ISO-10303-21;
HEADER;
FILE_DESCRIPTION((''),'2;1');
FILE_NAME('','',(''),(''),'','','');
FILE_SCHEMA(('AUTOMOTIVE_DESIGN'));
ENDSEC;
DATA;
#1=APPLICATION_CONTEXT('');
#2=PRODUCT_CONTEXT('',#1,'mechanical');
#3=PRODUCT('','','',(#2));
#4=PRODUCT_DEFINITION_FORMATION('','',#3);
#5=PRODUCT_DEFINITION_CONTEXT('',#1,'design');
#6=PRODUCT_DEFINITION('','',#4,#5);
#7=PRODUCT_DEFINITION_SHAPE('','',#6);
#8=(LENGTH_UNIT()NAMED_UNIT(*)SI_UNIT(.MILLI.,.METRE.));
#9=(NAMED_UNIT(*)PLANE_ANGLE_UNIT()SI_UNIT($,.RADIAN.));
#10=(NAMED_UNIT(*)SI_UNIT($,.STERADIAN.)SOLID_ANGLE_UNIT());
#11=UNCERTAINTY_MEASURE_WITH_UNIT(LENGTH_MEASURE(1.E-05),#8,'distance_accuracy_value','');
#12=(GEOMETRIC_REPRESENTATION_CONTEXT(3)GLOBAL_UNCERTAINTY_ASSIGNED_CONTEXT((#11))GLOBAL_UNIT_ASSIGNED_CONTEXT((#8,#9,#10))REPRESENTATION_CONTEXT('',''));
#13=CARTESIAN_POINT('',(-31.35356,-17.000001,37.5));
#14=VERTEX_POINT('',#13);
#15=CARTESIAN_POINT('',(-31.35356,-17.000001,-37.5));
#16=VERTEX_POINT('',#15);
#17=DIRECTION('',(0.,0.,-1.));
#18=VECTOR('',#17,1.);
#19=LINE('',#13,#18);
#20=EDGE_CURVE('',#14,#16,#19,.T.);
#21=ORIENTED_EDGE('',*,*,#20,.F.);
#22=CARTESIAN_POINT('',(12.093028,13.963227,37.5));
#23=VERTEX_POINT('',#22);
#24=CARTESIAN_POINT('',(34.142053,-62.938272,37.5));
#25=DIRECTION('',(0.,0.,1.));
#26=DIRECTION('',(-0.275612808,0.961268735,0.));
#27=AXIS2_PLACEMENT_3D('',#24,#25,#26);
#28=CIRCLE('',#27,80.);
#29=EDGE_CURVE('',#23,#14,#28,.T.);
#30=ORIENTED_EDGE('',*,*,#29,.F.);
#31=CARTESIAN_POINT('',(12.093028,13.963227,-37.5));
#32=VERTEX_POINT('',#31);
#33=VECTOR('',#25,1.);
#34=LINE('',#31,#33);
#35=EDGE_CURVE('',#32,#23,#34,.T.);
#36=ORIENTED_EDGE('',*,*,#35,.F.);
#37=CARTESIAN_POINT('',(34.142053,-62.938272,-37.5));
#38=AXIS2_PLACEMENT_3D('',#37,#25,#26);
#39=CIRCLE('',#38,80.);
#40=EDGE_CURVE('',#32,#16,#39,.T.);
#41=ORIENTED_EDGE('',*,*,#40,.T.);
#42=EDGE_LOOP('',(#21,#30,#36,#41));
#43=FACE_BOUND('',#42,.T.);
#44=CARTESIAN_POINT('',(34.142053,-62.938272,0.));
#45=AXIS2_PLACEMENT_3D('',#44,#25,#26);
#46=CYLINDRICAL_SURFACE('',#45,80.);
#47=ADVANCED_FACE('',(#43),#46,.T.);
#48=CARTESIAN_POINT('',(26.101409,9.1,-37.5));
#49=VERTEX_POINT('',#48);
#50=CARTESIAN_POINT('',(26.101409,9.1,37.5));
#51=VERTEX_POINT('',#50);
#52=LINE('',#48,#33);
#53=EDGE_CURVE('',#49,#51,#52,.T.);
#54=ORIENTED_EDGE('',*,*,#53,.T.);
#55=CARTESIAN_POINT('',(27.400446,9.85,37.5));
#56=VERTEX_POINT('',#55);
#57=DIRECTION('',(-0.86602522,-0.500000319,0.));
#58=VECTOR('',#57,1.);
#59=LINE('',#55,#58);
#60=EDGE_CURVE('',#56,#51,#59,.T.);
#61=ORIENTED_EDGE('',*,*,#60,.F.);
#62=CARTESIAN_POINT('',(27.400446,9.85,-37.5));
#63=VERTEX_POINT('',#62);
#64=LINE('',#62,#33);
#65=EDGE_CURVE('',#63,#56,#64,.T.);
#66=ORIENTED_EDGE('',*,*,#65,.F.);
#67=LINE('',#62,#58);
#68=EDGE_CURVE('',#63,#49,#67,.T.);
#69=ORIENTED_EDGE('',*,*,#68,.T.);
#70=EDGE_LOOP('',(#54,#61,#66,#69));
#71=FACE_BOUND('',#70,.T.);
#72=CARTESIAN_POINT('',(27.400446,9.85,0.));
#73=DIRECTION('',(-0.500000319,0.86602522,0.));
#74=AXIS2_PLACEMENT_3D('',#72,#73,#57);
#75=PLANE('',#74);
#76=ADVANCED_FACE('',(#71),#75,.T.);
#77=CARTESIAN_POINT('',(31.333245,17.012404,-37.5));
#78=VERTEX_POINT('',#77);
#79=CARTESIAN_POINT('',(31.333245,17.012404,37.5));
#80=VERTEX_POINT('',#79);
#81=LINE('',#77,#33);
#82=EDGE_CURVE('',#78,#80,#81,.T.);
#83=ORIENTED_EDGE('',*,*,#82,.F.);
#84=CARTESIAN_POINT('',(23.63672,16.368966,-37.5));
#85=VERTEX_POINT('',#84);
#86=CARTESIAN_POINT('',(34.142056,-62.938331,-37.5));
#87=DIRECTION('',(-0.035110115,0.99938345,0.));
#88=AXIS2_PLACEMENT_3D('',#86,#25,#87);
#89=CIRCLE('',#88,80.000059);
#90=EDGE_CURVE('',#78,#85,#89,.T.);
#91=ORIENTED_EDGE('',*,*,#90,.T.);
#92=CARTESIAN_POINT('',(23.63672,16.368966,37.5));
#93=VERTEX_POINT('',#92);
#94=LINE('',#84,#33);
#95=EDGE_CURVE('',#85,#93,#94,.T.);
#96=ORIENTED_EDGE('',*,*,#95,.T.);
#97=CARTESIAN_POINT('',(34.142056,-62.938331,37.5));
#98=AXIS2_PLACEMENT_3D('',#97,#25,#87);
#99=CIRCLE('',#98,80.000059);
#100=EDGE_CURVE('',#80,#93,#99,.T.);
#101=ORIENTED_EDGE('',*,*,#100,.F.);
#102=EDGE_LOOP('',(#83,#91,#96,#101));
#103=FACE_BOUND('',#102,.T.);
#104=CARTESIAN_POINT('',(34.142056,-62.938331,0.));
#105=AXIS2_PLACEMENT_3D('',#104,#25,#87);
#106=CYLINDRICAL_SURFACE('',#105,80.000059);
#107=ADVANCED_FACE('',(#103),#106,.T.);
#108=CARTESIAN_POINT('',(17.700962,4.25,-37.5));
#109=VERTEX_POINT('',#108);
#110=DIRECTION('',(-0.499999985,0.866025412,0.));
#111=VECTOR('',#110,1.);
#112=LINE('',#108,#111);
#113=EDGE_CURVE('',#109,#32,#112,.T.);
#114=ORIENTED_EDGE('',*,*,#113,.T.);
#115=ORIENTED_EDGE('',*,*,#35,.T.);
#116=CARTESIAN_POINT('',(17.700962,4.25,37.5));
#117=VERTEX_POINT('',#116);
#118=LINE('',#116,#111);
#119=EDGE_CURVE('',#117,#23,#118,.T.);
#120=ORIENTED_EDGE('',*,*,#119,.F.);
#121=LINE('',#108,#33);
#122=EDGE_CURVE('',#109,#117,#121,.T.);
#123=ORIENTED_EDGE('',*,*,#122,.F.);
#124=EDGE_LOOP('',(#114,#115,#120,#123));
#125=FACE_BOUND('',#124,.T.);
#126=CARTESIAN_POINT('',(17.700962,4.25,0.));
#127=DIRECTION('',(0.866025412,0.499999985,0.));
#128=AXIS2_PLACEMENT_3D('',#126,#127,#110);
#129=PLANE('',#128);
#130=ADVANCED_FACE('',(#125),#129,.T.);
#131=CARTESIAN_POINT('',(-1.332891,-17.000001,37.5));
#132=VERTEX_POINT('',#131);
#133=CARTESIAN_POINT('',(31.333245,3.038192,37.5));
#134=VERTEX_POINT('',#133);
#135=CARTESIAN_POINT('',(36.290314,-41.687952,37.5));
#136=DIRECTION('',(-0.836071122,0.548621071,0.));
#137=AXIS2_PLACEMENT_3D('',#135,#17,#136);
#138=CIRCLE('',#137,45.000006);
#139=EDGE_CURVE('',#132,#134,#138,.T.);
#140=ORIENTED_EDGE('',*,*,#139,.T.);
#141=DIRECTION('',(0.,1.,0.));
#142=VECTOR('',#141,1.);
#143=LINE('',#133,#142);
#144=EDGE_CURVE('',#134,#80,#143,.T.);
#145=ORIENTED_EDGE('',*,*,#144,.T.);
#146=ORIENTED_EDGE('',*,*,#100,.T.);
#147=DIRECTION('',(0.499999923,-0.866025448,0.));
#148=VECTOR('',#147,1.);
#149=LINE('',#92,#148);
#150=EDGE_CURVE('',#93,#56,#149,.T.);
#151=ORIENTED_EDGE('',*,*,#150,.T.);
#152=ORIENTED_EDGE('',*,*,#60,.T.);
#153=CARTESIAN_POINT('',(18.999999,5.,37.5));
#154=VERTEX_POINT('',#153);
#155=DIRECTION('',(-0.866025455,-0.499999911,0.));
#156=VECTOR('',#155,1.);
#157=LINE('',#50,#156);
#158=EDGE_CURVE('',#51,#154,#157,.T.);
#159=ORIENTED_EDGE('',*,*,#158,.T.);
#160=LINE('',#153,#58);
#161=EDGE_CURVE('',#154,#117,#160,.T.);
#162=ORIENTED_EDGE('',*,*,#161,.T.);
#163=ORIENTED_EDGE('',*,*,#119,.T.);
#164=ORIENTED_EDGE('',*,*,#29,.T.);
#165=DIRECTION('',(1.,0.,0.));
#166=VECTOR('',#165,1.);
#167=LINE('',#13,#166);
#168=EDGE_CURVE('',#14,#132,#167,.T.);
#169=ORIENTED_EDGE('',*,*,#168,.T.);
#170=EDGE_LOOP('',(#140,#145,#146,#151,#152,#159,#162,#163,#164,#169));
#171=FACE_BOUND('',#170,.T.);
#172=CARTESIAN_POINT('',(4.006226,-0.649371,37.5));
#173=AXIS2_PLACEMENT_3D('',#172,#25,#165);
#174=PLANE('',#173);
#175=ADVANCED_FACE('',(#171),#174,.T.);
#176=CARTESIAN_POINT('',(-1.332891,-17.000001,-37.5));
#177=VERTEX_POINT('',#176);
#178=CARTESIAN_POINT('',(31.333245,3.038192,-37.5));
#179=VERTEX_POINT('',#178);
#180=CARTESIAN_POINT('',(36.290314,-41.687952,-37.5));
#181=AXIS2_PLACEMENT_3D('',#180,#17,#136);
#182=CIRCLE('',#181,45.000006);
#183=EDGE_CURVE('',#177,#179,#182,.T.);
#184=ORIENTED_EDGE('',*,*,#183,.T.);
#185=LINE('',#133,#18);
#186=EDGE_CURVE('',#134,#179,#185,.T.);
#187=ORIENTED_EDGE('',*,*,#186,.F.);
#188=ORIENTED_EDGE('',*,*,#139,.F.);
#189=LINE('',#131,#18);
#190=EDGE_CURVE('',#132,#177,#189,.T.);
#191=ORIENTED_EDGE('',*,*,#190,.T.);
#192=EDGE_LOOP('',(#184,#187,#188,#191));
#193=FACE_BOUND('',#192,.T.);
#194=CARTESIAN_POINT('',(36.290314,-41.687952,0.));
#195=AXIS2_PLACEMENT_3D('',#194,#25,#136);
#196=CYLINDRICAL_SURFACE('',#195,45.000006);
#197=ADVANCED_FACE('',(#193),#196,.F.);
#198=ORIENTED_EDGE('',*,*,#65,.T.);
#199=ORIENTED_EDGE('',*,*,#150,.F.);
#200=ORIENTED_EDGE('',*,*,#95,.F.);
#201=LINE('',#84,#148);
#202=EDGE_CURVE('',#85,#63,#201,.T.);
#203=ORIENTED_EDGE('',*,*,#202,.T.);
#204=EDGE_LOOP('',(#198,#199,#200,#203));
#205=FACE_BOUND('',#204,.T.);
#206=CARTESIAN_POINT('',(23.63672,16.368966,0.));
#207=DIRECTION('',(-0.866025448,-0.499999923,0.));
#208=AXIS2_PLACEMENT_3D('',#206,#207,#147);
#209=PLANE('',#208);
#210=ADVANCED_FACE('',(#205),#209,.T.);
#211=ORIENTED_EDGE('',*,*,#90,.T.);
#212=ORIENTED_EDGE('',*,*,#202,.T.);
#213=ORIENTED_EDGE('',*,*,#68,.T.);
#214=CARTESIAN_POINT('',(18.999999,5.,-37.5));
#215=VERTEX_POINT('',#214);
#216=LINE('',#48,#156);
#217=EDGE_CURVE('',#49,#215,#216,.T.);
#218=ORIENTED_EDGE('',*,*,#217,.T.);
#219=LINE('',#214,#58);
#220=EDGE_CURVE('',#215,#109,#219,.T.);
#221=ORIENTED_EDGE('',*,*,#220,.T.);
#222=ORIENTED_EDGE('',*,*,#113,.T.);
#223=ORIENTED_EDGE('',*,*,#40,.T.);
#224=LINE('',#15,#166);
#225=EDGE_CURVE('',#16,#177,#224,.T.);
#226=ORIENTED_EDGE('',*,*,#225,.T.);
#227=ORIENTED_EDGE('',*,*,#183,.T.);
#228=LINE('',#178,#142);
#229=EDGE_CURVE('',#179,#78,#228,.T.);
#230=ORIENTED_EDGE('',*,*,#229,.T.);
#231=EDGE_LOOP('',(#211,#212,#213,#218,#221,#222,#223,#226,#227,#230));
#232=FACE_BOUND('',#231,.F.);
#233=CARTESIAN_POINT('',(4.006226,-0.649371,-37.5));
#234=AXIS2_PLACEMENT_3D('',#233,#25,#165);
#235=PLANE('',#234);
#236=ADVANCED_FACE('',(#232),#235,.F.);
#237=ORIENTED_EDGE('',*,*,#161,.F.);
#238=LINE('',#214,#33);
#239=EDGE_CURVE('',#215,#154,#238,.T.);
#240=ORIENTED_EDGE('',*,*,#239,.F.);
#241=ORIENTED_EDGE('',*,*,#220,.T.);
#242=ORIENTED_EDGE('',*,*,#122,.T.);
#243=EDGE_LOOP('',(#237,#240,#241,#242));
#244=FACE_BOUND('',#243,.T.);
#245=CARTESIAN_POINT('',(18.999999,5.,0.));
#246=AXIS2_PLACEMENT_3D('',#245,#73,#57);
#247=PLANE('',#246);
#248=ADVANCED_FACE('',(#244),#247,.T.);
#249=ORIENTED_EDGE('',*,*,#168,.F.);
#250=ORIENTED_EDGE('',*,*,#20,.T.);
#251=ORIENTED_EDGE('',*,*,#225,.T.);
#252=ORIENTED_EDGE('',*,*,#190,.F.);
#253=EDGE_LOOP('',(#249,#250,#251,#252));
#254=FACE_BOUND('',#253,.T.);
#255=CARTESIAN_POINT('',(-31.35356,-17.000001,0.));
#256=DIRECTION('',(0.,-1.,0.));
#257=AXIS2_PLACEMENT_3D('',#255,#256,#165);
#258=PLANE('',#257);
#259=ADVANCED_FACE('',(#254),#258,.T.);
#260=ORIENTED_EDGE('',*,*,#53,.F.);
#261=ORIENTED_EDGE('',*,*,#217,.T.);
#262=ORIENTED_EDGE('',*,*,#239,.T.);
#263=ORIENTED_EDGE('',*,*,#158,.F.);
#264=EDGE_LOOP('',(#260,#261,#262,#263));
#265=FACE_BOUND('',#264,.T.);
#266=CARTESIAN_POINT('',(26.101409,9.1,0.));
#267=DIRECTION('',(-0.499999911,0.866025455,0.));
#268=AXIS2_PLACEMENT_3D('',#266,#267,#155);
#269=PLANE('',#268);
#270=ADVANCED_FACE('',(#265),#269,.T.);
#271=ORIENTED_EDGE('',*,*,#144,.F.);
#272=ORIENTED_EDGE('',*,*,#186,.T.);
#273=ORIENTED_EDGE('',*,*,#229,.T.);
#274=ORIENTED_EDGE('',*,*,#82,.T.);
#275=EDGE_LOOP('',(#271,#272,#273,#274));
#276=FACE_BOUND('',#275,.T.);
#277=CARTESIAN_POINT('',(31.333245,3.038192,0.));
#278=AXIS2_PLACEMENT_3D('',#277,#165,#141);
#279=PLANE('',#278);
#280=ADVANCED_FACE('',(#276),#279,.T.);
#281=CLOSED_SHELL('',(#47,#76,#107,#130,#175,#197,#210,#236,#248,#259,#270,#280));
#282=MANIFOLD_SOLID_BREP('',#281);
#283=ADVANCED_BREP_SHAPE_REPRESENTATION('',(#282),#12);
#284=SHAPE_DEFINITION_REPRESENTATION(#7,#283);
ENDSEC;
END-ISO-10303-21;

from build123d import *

# Parameters (mm, degrees)
F1_DEPTH = 37.5


with BuildPart() as f1:
    # F0 (on Top) → F1 (new body, symmetric)
    with BuildSketch(Plane.XY):
        with BuildLine():
            Line((31.333245, 3.038192), (31.333245, 17.012404))
            ThreePointArc((31.333245, 17.012404), (27.477213, 16.783619), (23.63672, 16.368966))
            Line((23.63672, 16.368966), (27.400446, 9.85))
            Line((27.400446, 9.85), (26.101409, 9.1))
            Line((26.101409, 9.1), (18.999999, 5))
            Line((18.999999, 5), (17.700962, 4.25))
            Line((17.700962, 4.25), (12.093028, 13.963227))
            ThreePointArc((12.093028, 13.963227), (-12.287424, 2.210049), (-31.35356, -17.000001))
            Line((-31.35356, -17.000001), (-1.332891, -17.000001))
            ThreePointArc((-1.332891, -17.000001), (12.760499, -3.329794), (31.333245, 3.038192))
        make_face()
    extrude(amount=F1_DEPTH, both=True)


solid = f1.part
